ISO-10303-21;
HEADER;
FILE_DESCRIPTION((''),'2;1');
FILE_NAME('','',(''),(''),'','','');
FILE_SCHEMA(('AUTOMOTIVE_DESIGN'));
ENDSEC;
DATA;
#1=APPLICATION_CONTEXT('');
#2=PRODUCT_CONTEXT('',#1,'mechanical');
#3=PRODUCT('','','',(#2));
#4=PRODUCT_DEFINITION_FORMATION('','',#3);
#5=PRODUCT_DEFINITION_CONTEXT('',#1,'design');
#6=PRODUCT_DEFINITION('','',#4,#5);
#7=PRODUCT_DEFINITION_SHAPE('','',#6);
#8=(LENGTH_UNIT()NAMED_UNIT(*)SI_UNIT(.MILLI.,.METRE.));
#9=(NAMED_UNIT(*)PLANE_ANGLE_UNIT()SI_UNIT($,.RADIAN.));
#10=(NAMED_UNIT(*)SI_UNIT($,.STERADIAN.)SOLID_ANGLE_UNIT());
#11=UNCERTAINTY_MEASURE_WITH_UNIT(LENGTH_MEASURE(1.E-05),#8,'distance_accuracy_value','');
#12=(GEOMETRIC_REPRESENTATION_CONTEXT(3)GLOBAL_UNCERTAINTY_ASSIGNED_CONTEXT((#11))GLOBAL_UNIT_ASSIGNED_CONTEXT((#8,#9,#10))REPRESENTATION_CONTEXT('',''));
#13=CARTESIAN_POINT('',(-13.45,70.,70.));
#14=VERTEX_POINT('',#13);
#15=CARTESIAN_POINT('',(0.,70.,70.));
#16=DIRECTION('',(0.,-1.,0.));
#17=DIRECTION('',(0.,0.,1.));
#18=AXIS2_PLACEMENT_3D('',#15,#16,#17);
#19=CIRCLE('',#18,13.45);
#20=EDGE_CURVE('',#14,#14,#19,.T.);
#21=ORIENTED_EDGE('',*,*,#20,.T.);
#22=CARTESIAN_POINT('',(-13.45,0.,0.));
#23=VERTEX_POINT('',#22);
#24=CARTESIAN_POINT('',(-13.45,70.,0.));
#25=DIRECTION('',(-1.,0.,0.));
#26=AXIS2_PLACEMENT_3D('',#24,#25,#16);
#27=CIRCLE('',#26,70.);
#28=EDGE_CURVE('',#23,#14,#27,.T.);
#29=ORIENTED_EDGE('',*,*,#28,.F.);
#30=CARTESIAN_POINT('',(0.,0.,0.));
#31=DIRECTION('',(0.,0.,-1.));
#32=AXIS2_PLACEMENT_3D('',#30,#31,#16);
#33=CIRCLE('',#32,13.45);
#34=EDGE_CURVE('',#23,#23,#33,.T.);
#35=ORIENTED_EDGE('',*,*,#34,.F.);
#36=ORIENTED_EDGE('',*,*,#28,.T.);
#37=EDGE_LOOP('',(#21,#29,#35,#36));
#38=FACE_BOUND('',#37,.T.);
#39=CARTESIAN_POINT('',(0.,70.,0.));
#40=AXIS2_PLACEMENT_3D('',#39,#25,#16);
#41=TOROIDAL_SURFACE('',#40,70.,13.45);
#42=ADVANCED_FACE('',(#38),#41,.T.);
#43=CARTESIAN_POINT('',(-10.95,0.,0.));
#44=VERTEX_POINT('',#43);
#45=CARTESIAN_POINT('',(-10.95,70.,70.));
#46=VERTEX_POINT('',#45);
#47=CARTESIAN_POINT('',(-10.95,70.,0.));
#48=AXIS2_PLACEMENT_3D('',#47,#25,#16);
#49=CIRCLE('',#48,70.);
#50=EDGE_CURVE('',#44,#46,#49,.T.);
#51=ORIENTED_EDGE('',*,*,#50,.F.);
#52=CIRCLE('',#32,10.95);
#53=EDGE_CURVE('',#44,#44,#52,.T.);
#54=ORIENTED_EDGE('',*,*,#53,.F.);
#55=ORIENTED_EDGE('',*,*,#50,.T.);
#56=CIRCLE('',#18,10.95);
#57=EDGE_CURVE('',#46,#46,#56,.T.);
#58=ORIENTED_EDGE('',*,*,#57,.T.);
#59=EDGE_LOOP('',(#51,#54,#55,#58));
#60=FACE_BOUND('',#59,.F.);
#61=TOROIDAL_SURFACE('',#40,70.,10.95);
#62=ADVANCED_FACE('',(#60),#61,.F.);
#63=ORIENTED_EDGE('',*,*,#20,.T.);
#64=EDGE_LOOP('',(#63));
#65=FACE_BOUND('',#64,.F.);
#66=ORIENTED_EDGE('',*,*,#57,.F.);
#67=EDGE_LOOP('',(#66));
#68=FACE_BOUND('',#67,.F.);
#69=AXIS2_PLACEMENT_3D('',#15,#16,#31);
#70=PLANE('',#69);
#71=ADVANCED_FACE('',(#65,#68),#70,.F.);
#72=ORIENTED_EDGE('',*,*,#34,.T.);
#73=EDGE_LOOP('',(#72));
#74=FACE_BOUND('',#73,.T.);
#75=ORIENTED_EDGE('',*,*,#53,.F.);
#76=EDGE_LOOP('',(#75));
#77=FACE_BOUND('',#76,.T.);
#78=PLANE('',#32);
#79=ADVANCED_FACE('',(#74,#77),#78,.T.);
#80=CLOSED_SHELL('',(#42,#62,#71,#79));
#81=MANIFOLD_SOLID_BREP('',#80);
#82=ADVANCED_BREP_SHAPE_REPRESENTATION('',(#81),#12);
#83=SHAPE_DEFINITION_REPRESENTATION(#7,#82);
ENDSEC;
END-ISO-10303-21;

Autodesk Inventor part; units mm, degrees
ref_plane "Start Plane" through (0, 0, 0) normal (0, 0, 1) x (1, 0, 0)
ref_plane "End Plane" through (0, 0, 109.9557) normal (0, 0, 1) x (1, 0, 0)
sketch "Sketch" plane through (0, 0, 0) normal (0, 0, -1) x (-1, 0, 0)
  circle A0 centre (0, 0) radius 10.95
  circle A1 centre (0, 0) radius 13.45
  dimension "d0" = 26.9
  dimension "d1" = 2.5
sketch "Sketch3" plane through (0, 0, 0) normal (0, 0, 1) x (1, 0, 0)
  line L0 (0, 0) -> (10, 0)
ref_plane "Work Plane3" through (0, 0, 0) normal (0, -1, 0) x (1, 0, 0)
ref_plane "Orientation Work Plane" through (0, 0, 0) normal (0, 0, -1) x (-1, 0, 0)
sketch3d "Sweep Path"
  arc A0 (0, 0, 0) -> (0, 70, 70) centre (0, 70, 0) ccw
sweep "Body" add profiles "Sketch" path "Sweep Path"
sketch "Sketch4" plane through (0, 0, 0) normal (0, -1, 0) x (1, 0, 0)
  line L0 (-2, 0) -> (12, 0) projected
  line L1 (-18.83, 109.9557) -> (18.83, 109.9557) projected
  dimension "d7" = 109.9557
equation "\"d0\" = G_H"
equation "\"d1\" = G_T"
equation "\"G_H\" = 26.9"
equation "\"G_T\" = 2.5"
equation "\"G_L\" = d7"
equation "\"G_OFFSET_START\" = 0"
equation "\"G_OFFSET_END\" = 0"
equation "\"d5\" = G_OFFSET_END + B_L"
equation "\"B_L\" = 109.955743"
properties part number "ISO 4019 - 26.9x2.5 - 109,96" material "Steel"
